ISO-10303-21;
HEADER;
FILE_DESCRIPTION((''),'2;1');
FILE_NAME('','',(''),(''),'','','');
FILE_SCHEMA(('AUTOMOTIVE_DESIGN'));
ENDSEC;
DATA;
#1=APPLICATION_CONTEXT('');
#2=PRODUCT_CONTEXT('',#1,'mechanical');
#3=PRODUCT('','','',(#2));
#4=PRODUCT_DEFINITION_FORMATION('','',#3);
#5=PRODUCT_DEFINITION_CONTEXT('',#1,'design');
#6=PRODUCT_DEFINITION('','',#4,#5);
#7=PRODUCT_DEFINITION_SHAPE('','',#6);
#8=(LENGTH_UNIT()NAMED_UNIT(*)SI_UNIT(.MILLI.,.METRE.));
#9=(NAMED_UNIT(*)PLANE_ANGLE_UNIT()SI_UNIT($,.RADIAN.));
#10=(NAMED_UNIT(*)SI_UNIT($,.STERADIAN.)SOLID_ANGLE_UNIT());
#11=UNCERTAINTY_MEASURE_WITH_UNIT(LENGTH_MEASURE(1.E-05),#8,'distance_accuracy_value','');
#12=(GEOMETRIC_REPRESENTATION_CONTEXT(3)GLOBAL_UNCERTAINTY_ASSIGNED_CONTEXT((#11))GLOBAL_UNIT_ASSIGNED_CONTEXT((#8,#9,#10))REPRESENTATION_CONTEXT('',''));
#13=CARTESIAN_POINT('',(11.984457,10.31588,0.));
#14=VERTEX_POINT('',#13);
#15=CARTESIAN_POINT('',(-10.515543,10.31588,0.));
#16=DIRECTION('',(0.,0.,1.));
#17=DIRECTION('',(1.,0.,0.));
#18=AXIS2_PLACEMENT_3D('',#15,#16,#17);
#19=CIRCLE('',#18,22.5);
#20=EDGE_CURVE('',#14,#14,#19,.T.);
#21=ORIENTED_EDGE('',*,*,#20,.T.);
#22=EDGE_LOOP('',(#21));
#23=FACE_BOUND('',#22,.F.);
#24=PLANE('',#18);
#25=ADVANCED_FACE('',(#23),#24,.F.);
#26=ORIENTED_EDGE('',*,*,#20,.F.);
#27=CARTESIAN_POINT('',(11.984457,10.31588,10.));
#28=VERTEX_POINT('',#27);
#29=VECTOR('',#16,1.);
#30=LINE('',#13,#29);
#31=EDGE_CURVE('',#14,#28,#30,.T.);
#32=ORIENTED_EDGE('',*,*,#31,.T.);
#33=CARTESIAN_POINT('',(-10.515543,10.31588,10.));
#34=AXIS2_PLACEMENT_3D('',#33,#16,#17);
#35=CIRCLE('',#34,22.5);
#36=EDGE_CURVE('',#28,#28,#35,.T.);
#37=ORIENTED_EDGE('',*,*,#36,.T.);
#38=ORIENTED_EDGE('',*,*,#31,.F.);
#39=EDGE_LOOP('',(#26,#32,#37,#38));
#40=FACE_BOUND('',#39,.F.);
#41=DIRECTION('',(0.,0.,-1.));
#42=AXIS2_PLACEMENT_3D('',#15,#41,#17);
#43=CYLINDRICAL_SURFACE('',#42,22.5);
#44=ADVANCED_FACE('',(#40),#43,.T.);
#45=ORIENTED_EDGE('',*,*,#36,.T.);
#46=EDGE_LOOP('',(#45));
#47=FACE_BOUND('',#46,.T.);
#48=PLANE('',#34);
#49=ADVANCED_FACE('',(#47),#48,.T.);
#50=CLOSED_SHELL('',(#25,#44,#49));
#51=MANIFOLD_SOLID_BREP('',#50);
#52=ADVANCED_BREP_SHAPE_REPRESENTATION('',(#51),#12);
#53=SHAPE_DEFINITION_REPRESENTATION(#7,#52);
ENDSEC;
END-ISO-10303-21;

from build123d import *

# Parameters (mm, degrees)
SKETCH_1_R      = 22.5
EXTRUDE_1_DEPTH = 10


with BuildPart() as part:
    # 草图1 → 凸台-拉伸1 (new body)
    with BuildSketch(Plane.XY):
        with Locations((-10.515542641, 10.315880439)):
            Circle(SKETCH_1_R)
    extrude(amount=EXTRUDE_1_DEPTH)


solid = part.part
